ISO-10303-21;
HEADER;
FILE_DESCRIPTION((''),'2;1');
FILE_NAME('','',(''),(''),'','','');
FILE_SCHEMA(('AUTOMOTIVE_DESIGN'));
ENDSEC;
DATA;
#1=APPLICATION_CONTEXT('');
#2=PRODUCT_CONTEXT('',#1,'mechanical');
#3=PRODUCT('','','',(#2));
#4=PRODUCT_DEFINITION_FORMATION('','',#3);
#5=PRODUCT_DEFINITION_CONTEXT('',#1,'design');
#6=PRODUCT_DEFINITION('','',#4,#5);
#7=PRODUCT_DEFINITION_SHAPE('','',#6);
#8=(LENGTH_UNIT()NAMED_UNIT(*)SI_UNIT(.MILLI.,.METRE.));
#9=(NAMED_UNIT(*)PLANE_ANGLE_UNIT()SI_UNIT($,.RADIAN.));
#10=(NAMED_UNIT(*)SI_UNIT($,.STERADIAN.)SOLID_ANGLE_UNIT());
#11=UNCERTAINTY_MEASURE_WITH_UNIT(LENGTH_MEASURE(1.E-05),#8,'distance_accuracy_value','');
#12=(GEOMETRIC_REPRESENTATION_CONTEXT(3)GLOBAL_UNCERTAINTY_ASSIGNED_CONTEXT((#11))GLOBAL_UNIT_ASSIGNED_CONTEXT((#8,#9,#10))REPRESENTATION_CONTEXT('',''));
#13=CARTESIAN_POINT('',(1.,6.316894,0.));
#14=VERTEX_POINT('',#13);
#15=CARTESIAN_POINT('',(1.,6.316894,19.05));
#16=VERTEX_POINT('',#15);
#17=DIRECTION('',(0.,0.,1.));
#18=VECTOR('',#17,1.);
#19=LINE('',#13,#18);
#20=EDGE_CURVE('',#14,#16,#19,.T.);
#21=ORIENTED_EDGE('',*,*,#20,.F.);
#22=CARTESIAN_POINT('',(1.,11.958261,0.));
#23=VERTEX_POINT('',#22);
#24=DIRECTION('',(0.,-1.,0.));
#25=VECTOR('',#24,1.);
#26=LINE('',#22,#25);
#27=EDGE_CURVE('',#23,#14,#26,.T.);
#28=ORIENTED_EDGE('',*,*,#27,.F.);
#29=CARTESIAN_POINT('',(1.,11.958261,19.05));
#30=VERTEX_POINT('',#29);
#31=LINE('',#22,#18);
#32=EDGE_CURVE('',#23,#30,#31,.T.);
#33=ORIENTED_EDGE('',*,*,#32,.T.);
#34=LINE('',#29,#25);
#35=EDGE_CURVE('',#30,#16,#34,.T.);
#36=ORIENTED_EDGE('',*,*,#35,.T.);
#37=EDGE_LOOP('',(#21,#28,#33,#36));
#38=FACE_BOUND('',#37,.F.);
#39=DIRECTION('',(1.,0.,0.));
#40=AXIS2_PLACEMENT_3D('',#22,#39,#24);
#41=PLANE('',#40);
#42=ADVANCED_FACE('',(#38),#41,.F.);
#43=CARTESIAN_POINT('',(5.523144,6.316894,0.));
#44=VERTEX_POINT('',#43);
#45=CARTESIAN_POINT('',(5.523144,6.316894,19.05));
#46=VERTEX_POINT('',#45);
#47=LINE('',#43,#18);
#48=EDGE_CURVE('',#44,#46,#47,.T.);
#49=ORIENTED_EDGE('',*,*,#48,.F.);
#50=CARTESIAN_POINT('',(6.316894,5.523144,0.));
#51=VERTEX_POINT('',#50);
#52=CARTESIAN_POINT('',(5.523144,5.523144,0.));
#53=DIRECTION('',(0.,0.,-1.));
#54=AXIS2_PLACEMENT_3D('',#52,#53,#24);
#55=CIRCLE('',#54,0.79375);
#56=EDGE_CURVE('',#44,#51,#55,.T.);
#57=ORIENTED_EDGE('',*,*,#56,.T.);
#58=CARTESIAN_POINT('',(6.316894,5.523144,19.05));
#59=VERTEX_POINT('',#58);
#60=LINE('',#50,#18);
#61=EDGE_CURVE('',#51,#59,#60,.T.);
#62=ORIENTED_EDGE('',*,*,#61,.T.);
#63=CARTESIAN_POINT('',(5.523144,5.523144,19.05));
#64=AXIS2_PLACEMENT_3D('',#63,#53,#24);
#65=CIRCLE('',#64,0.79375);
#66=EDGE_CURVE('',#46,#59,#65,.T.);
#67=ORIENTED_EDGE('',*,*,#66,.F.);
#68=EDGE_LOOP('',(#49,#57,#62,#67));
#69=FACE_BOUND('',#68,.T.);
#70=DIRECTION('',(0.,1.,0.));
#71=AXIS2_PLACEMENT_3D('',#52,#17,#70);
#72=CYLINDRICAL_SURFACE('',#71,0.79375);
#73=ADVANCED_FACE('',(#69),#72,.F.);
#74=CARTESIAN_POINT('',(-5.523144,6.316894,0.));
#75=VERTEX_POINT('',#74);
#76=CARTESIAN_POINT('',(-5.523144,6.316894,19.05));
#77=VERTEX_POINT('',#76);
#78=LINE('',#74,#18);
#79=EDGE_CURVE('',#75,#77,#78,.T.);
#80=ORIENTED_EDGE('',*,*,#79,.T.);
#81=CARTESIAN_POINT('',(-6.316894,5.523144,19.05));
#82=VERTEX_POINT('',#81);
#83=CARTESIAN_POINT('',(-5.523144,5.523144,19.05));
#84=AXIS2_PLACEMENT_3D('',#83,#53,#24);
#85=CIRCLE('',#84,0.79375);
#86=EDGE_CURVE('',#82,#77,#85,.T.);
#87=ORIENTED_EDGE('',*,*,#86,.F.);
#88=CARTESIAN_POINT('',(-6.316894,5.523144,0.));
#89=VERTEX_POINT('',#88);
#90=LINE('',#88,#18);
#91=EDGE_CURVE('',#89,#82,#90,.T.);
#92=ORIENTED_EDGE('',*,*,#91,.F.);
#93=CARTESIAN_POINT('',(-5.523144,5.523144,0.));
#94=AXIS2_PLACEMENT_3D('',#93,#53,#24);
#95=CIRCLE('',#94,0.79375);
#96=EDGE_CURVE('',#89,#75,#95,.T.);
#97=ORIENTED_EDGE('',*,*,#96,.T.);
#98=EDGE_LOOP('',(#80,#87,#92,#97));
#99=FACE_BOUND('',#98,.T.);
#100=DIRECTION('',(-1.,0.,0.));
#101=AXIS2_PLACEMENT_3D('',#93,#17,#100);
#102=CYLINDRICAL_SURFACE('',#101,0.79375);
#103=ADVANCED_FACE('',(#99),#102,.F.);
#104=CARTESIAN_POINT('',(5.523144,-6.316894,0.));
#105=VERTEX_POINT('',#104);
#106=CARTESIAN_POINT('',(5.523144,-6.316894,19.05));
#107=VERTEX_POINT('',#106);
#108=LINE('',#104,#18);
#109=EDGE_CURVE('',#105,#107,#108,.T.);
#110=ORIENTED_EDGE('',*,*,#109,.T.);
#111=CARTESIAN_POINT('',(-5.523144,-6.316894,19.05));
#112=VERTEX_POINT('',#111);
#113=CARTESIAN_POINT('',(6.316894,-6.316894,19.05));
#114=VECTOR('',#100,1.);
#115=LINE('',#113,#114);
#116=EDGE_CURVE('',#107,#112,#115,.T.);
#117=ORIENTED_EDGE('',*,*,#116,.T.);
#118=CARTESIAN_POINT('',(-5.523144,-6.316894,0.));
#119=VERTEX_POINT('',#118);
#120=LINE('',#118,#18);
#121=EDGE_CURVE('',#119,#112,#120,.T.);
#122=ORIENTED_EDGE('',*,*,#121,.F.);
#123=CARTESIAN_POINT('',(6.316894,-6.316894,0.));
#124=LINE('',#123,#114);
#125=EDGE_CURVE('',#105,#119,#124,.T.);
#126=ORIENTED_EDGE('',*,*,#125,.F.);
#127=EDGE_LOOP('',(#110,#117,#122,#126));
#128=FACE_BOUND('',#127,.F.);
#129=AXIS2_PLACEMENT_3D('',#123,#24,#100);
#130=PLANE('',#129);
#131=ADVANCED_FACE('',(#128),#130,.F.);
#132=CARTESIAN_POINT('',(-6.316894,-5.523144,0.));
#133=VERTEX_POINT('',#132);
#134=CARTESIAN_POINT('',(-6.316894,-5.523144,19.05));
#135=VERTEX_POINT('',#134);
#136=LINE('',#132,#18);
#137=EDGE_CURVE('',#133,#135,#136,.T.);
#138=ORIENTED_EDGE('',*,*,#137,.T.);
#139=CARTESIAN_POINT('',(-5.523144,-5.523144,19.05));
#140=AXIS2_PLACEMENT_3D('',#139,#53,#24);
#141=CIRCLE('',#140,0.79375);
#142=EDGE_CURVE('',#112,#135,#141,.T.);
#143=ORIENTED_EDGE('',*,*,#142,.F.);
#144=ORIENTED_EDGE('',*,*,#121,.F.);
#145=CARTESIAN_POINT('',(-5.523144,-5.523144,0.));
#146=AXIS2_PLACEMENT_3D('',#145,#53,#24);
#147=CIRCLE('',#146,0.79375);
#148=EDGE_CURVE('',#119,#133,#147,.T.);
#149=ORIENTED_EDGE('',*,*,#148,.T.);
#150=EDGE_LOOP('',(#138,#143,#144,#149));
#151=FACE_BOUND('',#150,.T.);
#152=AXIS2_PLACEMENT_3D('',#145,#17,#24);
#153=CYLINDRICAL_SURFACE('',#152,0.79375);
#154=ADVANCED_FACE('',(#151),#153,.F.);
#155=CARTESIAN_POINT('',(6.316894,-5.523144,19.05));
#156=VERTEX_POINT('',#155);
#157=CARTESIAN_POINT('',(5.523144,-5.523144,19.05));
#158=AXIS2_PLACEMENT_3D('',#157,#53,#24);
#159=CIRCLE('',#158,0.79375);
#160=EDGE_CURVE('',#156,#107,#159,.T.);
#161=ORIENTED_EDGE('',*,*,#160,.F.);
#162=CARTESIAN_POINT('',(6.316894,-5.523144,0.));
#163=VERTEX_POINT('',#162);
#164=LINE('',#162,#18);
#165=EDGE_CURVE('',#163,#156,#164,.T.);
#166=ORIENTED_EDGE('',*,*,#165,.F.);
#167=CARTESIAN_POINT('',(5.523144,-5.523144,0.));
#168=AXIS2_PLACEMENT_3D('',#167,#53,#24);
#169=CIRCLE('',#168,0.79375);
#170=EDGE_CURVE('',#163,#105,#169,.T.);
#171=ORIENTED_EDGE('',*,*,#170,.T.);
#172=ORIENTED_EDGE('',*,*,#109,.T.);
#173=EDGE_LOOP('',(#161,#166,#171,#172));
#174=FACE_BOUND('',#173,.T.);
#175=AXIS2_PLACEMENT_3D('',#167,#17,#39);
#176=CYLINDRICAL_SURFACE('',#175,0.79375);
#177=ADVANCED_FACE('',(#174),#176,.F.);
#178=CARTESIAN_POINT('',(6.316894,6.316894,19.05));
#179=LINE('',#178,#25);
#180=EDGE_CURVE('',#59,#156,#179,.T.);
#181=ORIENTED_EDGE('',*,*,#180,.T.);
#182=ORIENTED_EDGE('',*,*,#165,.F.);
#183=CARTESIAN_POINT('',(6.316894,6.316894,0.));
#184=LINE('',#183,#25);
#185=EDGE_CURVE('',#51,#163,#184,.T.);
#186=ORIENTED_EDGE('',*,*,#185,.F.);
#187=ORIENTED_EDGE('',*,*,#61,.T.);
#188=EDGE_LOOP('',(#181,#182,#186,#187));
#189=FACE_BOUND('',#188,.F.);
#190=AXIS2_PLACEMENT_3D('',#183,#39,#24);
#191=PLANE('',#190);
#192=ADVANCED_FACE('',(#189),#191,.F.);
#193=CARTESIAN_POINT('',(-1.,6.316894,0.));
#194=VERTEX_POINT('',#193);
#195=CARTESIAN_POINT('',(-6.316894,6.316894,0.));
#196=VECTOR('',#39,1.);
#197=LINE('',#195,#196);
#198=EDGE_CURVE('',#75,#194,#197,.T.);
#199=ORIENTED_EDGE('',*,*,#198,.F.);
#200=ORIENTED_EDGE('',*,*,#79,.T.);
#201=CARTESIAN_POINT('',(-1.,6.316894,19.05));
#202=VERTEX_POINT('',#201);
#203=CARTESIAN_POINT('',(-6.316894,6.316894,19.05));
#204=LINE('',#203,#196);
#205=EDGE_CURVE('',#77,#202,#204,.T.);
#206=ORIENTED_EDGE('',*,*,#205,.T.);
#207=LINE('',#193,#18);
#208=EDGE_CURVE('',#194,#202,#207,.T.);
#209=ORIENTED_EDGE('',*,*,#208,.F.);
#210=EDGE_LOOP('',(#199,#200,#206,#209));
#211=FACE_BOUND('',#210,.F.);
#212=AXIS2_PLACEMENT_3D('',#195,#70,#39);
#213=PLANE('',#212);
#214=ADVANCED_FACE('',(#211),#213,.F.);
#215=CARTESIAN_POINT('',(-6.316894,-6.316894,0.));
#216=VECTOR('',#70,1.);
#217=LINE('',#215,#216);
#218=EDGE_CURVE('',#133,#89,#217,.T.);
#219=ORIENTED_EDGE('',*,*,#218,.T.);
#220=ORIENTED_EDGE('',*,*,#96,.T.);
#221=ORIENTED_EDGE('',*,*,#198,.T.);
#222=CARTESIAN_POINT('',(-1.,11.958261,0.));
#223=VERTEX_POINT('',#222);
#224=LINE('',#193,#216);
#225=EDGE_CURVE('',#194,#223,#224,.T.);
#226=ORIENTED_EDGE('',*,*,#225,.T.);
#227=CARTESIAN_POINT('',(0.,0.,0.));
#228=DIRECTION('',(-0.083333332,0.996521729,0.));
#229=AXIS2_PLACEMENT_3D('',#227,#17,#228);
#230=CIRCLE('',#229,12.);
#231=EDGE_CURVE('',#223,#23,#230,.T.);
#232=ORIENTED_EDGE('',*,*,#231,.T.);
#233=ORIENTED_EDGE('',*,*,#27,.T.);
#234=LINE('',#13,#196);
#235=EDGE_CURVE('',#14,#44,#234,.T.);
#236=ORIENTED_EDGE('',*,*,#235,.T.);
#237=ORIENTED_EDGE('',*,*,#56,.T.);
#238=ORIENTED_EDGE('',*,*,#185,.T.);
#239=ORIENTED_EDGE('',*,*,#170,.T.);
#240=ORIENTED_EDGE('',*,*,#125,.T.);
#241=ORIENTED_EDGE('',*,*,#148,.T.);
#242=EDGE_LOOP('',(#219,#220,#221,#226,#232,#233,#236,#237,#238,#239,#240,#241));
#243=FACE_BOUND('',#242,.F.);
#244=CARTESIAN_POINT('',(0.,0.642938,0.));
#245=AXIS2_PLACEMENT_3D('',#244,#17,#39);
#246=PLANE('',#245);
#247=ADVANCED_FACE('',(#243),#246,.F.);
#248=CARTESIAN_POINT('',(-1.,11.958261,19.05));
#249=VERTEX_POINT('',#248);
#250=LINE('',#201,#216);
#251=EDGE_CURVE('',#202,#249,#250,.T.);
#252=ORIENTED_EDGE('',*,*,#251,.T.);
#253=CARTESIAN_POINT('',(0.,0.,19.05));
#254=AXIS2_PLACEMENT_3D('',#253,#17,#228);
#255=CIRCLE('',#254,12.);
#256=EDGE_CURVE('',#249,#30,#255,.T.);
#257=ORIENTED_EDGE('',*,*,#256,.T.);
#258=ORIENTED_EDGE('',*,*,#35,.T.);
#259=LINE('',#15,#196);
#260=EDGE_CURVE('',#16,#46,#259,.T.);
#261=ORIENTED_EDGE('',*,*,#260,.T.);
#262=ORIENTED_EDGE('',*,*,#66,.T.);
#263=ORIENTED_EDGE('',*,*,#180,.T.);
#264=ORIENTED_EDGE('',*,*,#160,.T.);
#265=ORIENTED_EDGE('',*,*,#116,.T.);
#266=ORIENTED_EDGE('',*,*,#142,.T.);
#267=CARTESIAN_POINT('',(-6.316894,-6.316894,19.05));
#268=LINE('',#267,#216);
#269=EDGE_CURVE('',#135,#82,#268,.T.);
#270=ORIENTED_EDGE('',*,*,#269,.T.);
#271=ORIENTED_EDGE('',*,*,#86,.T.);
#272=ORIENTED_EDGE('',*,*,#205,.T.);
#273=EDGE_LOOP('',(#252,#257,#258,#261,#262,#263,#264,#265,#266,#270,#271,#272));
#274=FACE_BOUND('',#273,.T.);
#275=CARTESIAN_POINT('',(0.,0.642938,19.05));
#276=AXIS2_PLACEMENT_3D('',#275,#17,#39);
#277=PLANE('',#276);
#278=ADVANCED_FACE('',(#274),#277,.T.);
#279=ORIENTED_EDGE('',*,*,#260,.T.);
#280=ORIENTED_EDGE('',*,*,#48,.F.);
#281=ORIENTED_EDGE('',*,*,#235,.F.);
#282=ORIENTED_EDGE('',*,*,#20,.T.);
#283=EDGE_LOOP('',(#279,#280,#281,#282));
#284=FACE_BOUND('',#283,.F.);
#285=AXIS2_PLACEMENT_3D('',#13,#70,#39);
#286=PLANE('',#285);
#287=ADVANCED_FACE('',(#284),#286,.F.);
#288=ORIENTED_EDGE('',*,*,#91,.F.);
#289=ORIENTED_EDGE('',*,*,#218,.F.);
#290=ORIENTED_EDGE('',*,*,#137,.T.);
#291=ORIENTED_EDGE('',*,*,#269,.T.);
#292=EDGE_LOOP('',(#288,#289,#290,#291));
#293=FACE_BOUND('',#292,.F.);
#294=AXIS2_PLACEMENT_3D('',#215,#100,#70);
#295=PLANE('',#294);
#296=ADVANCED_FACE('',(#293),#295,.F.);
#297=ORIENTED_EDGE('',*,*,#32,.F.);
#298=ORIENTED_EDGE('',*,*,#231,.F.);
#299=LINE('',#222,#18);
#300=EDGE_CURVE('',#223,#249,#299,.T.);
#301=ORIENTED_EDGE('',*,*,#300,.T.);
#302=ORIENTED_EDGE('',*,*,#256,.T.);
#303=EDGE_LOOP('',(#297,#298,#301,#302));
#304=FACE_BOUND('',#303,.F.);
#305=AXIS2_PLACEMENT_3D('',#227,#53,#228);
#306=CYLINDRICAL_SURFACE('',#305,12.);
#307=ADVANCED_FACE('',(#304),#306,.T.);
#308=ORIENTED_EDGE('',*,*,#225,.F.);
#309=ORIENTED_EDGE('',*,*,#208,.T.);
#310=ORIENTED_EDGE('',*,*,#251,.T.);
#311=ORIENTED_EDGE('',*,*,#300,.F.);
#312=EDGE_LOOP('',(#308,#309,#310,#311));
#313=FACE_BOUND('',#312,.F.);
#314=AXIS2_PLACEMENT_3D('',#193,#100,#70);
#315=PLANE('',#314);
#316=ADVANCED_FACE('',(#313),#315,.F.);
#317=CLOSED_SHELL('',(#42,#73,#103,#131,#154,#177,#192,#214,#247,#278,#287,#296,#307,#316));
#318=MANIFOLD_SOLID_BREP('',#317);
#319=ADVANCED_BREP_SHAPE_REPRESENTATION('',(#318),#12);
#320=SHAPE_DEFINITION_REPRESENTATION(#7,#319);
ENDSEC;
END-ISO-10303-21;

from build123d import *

# Parameters (mm, degrees)
F1_DEPTH = 19.05
F2_R     = 0.79375


with BuildPart() as f1:
    # F0 (on Top) → F1 (new body)
    with BuildSketch(Plane.XY):
        with BuildLine():
            Line((-1, 6.316894), (-1, 11.958261))
            ThreePointArc((-1, 11.958261), (0, -12), (1, 11.958261))
            Line((1, 11.958261), (1, 6.316894))
            Line((1, 6.316894), (6.316894, 6.316894))
            Line((6.316894, 6.316894), (6.316894, -6.316894))
            Line((6.316894, -6.316894), (-6.316894, -6.316894))
            Line((-6.316894, -6.316894), (-6.316894, 6.316894))
            Line((-6.316894, 6.316894), (-1, 6.316894))
        make_face()
    extrude(amount=F1_DEPTH)

    # F2
    f2_edges = [f1.edges().sort_by_distance(p)[0] for p in [
        (-6.316894, 6.316894, 9.525),
        (6.316894, 6.316894, 9.525),
        (6.316894, -6.316894, 9.525),
        (-6.316894, -6.316894, 9.525),
    ]]
    fillet(f2_edges, radius=F2_R)


solid = f1.part
